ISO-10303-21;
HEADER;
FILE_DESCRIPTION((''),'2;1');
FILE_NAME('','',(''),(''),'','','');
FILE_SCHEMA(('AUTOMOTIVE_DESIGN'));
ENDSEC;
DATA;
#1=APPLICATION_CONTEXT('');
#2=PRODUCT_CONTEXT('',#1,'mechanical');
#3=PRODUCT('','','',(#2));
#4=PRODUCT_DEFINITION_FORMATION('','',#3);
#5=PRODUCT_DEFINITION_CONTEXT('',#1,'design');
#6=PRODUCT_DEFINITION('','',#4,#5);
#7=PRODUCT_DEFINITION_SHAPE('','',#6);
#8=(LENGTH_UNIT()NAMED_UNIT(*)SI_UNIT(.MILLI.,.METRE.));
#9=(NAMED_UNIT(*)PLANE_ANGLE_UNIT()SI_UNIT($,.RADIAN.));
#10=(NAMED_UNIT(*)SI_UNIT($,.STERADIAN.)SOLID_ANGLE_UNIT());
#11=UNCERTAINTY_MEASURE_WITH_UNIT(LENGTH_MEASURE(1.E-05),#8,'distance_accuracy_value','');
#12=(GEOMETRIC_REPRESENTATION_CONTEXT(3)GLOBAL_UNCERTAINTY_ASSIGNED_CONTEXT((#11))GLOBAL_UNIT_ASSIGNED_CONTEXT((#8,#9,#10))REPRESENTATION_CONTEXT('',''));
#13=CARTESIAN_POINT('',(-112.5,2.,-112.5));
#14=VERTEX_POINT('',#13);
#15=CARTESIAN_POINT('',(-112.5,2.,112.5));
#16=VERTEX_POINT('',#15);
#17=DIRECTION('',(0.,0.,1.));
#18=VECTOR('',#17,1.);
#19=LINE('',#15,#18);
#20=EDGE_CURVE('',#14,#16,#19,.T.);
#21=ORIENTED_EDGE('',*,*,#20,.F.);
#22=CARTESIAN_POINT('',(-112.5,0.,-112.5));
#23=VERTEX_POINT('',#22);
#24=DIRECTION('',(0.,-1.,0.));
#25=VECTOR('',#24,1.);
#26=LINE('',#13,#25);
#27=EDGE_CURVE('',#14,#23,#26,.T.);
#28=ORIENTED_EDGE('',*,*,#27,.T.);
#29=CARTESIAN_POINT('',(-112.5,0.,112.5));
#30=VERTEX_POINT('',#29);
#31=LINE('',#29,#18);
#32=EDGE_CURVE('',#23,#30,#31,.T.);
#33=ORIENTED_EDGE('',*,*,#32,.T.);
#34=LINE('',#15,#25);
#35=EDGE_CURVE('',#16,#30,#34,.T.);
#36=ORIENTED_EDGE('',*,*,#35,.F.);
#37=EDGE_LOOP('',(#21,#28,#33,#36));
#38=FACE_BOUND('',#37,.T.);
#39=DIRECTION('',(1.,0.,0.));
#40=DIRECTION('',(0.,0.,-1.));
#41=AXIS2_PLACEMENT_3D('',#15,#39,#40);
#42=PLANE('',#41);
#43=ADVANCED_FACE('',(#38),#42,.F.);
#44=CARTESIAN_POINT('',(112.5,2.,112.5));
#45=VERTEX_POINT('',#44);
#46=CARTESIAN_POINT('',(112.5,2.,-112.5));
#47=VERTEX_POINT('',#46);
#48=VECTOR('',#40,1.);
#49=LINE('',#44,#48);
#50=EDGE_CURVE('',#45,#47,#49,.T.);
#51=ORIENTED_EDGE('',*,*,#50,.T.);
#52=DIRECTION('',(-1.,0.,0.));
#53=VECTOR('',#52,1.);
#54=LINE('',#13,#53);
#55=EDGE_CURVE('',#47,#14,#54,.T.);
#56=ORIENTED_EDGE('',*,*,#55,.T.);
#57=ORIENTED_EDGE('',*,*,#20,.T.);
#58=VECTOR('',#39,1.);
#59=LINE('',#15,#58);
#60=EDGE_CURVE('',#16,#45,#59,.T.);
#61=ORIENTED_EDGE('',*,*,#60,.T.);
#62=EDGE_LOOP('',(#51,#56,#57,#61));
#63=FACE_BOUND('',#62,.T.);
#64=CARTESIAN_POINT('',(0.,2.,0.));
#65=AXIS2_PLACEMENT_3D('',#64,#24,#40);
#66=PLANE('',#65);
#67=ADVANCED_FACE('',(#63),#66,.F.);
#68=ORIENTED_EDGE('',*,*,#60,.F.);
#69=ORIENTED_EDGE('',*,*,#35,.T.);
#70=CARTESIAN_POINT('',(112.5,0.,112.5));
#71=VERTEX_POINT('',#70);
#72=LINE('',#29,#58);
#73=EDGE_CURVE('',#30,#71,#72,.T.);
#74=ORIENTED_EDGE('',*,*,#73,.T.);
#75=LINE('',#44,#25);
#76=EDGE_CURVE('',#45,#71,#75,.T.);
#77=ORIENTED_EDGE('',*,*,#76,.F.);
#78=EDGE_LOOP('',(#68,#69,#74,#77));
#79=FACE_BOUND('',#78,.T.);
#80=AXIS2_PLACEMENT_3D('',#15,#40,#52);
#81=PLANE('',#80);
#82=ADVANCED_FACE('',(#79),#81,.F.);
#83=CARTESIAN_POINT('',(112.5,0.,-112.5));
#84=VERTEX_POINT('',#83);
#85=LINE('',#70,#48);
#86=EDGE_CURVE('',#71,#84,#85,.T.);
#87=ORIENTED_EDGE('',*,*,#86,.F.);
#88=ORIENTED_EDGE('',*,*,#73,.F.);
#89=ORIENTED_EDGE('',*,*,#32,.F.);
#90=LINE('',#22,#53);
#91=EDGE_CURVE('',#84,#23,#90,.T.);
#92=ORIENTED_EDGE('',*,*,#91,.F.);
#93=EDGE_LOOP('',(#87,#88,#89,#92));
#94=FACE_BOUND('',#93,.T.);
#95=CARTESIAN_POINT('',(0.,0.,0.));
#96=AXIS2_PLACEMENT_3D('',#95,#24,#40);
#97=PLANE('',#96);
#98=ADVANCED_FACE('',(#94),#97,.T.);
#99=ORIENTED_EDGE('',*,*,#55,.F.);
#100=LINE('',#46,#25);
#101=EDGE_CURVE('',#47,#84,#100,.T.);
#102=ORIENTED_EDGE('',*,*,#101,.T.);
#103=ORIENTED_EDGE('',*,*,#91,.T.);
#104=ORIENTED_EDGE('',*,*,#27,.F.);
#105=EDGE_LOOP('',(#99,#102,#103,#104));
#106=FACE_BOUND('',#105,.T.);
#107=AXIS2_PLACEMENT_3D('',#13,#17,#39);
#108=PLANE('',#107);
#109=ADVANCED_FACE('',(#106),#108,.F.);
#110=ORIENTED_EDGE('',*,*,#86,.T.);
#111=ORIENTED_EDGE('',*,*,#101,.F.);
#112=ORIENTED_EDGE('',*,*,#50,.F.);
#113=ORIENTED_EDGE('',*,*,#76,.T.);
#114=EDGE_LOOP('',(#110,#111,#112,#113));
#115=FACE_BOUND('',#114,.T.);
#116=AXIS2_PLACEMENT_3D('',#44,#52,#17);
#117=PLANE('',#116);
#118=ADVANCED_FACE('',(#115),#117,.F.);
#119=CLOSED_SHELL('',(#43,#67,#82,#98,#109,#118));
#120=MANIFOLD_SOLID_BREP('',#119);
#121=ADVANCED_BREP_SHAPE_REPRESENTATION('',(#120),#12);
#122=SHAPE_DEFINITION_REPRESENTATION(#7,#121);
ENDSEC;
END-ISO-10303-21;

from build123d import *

# Parameters (mm, degrees)
SKETCH1_W           = 225
SKETCH1_H           = 225
BOSS_EXTRUDE1_DEPTH = 2


with BuildPart() as part:
    # Sketch1 → Boss-Extrude1 (new body)
    with BuildSketch(Plane(origin=(0, 0, 0), x_dir=(1, 0, 0), z_dir=(0, 1, 0))):
        Rectangle(SKETCH1_W, SKETCH1_H)
    extrude(amount=BOSS_EXTRUDE1_DEPTH)


solid = part.part
